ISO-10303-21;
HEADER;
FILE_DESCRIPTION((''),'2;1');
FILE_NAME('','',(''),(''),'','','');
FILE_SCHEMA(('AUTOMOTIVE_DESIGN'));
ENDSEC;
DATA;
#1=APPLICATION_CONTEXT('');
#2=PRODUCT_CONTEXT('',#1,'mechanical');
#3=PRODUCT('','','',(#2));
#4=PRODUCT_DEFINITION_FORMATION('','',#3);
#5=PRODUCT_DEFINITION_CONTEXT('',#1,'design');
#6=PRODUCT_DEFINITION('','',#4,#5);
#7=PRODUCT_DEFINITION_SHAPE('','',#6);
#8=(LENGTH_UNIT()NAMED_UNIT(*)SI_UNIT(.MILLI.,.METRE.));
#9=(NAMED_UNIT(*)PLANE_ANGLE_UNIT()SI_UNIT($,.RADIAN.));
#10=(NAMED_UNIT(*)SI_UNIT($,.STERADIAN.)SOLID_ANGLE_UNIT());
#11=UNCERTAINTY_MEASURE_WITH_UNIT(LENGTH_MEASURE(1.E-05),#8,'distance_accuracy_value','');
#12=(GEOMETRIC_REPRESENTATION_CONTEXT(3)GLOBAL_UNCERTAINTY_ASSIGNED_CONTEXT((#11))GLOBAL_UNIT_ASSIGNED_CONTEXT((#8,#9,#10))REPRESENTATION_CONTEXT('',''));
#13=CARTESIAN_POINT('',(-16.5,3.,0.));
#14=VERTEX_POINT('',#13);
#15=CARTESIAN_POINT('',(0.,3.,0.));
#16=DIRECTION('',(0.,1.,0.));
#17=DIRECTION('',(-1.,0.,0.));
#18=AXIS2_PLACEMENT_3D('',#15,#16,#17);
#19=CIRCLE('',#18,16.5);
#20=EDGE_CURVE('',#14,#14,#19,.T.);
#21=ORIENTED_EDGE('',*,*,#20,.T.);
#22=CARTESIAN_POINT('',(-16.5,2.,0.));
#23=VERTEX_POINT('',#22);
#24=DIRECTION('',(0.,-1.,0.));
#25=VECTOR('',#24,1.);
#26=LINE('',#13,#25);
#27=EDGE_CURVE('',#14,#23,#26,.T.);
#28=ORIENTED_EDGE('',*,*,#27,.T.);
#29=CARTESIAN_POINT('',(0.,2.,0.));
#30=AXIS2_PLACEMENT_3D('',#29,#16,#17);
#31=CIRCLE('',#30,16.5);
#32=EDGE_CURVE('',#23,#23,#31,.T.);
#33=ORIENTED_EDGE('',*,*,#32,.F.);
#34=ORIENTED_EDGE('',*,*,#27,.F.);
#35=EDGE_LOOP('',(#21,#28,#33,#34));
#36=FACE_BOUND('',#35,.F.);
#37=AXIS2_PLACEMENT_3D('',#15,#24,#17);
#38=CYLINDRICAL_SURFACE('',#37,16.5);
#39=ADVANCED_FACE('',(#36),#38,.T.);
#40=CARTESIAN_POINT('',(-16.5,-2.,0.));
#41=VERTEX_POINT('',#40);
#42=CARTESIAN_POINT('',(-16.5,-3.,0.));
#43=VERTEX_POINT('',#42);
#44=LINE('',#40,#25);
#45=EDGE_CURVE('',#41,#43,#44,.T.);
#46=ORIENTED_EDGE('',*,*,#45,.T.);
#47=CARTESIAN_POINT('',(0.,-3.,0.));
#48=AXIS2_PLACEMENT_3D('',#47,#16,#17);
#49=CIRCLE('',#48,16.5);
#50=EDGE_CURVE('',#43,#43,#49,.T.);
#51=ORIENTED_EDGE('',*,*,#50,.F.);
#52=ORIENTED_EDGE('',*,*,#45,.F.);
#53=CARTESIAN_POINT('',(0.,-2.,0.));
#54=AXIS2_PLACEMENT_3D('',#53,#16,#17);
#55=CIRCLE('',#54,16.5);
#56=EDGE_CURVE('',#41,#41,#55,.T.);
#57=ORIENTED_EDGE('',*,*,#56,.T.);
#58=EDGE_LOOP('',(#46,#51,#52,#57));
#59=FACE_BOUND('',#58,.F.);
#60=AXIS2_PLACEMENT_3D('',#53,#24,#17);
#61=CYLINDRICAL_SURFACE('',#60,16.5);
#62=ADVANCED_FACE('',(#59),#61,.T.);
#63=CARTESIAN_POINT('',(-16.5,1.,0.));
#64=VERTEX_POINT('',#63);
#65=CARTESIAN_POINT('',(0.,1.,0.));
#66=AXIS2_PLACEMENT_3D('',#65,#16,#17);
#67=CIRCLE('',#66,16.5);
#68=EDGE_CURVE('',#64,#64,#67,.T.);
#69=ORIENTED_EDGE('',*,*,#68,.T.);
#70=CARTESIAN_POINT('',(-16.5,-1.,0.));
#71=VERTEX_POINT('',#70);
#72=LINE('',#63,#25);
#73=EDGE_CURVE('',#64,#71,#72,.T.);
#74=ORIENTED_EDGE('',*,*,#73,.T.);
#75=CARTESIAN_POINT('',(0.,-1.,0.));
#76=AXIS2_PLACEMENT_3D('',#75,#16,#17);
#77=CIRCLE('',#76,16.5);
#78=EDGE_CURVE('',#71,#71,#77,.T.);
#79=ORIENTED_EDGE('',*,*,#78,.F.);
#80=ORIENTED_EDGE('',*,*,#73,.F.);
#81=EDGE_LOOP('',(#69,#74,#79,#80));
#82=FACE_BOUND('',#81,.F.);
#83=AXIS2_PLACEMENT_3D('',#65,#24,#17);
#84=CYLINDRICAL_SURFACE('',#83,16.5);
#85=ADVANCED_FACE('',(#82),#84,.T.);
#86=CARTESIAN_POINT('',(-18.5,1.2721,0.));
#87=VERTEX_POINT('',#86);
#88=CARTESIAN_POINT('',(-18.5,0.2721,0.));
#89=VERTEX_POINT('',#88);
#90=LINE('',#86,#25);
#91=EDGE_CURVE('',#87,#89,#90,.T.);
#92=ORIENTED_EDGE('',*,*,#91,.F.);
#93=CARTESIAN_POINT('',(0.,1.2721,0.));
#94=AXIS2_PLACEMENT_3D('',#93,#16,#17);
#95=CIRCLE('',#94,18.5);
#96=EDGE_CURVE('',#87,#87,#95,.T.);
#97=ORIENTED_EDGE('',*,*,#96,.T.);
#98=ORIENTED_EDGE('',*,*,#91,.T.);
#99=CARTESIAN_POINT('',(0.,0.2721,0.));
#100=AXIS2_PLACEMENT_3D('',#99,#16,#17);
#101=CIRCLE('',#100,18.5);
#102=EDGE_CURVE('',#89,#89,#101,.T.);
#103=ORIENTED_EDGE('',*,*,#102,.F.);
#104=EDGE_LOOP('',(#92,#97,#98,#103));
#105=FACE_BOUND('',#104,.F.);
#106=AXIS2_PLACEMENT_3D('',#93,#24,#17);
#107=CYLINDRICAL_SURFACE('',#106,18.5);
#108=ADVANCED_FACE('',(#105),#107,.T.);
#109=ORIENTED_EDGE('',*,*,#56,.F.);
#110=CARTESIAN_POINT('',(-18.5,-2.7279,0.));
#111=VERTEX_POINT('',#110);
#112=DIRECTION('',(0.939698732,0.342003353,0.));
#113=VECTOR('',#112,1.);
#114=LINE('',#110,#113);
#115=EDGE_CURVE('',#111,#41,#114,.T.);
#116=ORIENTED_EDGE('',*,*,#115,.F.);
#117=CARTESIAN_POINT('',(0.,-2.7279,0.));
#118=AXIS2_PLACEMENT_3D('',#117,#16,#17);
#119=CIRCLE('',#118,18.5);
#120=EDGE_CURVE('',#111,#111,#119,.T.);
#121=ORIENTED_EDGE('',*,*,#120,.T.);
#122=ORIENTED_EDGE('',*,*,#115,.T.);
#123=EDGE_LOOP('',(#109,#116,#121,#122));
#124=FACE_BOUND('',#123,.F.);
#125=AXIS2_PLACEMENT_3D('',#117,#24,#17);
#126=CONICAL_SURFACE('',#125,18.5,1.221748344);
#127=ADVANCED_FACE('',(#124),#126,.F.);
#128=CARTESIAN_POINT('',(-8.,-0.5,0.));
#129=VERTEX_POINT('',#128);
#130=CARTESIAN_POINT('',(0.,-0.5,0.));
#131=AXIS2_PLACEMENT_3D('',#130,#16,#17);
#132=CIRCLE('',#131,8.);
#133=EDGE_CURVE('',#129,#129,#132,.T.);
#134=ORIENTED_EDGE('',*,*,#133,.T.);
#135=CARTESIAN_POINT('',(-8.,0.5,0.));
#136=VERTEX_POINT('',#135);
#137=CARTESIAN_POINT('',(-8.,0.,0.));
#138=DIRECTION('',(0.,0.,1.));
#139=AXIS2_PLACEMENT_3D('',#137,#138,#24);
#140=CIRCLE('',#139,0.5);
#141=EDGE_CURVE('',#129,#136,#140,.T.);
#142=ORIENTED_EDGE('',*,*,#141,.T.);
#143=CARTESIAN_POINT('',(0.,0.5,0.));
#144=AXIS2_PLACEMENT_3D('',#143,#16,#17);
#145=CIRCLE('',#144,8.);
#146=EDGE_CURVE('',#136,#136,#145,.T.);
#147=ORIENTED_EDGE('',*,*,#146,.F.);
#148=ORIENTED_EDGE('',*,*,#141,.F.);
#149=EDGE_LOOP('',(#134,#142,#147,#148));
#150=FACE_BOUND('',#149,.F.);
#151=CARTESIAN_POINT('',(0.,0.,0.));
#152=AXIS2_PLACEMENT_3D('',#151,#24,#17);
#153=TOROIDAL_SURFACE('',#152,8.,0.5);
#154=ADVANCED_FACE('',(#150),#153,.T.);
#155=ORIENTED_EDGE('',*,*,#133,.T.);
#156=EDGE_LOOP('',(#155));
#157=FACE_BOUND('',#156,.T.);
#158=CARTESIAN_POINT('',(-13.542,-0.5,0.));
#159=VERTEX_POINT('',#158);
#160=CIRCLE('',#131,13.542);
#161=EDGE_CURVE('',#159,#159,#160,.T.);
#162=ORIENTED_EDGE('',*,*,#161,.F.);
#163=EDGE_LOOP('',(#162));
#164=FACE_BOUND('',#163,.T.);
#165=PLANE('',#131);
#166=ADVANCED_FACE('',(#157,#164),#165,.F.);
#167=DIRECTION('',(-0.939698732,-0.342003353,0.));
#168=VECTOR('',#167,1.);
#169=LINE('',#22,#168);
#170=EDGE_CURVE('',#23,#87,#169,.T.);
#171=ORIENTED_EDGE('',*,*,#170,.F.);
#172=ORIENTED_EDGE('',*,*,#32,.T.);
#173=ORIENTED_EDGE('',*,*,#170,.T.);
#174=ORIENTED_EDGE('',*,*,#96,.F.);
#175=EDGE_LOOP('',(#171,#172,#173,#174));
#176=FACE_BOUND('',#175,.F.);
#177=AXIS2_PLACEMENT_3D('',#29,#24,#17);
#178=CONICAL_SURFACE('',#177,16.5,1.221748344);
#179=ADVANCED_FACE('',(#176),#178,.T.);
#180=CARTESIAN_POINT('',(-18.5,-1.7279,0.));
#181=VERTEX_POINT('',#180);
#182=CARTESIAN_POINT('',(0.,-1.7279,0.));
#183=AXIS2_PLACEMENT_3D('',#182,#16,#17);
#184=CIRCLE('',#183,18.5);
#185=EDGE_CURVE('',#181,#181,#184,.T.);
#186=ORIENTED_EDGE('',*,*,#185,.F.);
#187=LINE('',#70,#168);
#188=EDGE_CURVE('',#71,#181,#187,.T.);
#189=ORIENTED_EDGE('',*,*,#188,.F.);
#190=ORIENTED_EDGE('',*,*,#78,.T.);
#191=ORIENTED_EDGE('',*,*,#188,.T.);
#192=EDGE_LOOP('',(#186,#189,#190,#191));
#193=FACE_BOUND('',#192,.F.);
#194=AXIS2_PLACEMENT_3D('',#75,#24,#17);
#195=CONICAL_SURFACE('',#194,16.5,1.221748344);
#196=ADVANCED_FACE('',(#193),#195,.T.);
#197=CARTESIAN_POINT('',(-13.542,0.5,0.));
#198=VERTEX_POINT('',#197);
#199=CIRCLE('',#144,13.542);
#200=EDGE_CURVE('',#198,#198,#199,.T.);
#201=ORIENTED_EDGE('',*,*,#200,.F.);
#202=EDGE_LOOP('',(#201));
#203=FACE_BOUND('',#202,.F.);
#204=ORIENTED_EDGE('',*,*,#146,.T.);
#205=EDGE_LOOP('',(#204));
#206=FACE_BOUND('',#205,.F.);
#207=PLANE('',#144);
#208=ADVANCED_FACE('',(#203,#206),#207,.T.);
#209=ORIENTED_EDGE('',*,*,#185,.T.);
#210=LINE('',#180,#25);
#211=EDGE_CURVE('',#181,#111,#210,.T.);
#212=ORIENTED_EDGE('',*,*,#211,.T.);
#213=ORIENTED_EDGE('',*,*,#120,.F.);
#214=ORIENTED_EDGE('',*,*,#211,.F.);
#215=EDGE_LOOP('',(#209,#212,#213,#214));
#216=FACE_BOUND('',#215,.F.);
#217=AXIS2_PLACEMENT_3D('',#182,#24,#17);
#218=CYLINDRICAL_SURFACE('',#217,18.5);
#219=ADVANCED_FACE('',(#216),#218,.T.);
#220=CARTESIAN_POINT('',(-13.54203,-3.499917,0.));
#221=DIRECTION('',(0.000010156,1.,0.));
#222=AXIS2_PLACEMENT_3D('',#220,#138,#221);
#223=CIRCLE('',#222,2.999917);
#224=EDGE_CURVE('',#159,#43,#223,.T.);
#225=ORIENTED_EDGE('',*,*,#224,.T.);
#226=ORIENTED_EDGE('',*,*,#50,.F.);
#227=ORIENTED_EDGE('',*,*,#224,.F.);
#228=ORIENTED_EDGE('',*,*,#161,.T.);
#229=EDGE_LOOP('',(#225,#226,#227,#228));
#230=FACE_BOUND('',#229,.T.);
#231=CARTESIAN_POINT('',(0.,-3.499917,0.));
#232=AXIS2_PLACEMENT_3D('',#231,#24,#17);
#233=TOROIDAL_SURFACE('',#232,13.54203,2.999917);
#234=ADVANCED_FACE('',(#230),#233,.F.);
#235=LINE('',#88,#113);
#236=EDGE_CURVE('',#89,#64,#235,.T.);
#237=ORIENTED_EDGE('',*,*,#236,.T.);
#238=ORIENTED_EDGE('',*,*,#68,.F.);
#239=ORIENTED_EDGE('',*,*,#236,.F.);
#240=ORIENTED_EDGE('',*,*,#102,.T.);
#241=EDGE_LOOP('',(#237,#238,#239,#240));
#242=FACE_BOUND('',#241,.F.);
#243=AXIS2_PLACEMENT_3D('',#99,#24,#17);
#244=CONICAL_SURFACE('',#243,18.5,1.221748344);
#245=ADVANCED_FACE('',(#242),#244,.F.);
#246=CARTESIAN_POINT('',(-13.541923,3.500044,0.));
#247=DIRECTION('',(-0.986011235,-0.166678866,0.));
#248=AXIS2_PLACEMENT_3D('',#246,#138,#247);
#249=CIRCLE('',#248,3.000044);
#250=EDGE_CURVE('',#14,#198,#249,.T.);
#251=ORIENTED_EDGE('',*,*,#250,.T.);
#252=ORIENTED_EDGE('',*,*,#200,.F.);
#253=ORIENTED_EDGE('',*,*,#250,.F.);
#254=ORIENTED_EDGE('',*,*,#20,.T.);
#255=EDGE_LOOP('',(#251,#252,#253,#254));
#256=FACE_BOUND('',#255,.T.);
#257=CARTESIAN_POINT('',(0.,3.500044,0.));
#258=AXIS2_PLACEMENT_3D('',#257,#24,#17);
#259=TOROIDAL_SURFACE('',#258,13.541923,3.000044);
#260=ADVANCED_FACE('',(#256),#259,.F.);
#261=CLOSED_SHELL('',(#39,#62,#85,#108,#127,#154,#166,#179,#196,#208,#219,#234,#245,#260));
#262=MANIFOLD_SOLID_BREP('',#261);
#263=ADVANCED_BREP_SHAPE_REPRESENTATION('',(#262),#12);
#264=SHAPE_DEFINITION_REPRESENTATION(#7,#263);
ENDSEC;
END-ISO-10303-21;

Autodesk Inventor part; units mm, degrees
ref_plane "YZ Plane" through (0, 0, 0) normal (1, 0, 0) x (0, 1, 0)
ref_plane "XZ Plane" through (0, 0, 0) normal (0, 1, 0) x (-1, 0, 0)
ref_plane "XY Plane" through (0, 0, 0) normal (0, 0, 1) x (1, 0, 0)
sketch "Sketch1" plane through (0, 0, 0) normal (0, 0, 1) x (1, 0, 0)
  line L0 (-8, -0.5) -> (-13.542, -0.5)
  arc A0 (-8, -0.5) -> (-8, 0.5) centre (-8, 0) ccw
  line L1 (-8, 0.5) -> (-13.542, 0.5)
  arc A1 (-16.5, 3) -> (-13.542, 0.5) centre (-13.542, 3.5) ccw
  line L2 (-16.5, 3) -> (-16.5, 2)
  line L3 (-16.5, 2) -> (-18.5, 1.2721)
  line L4 (-18.5, 1.2721) -> (-18.5, 0.2721)
  line L5 (-18.5, 0.2721) -> (-16.5, 1)
  arc A2 (-13.542, -0.5) -> (-16.5, -3) centre (-13.542, -3.5) ccw
  line L6 (-22.2, 0) -> (3.7, 0) construction
  line L7 (0, -4.9) -> (0, 4.9) construction
  line L8 (-16.5, 1) -> (-16.5, -1)
  line L9 (-16.5, -1) -> (-18.5, -1.7279)
  line L10 (-18.5, -1.7279) -> (-18.5, -2.7279)
  line L11 (-18.5, -2.7279) -> (-16.5, -2)
  line L12 (-16.5, -2) -> (-16.5, -3)
  point P0 (0, 0)
  point P1 (-7.5, 0)
  dimension "d3" = 15
  dimension "d4" = 33
  dimension "d5" = 2
  dimension "d7" = 1
  dimension "d8" = 6
  dimension "d9" = 3
  dimension "d10" = 1
  dimension "d12" = 2
  dimension "d13" = 5.542
  dimension "d15" = 0.7279
  dimension "d16" = 70
revolve "Revolution1" add sketch "Sketch1" angle 360 about axis through (0, -10, 0) along (0, 1, 0)
properties part number "Sealingring"
